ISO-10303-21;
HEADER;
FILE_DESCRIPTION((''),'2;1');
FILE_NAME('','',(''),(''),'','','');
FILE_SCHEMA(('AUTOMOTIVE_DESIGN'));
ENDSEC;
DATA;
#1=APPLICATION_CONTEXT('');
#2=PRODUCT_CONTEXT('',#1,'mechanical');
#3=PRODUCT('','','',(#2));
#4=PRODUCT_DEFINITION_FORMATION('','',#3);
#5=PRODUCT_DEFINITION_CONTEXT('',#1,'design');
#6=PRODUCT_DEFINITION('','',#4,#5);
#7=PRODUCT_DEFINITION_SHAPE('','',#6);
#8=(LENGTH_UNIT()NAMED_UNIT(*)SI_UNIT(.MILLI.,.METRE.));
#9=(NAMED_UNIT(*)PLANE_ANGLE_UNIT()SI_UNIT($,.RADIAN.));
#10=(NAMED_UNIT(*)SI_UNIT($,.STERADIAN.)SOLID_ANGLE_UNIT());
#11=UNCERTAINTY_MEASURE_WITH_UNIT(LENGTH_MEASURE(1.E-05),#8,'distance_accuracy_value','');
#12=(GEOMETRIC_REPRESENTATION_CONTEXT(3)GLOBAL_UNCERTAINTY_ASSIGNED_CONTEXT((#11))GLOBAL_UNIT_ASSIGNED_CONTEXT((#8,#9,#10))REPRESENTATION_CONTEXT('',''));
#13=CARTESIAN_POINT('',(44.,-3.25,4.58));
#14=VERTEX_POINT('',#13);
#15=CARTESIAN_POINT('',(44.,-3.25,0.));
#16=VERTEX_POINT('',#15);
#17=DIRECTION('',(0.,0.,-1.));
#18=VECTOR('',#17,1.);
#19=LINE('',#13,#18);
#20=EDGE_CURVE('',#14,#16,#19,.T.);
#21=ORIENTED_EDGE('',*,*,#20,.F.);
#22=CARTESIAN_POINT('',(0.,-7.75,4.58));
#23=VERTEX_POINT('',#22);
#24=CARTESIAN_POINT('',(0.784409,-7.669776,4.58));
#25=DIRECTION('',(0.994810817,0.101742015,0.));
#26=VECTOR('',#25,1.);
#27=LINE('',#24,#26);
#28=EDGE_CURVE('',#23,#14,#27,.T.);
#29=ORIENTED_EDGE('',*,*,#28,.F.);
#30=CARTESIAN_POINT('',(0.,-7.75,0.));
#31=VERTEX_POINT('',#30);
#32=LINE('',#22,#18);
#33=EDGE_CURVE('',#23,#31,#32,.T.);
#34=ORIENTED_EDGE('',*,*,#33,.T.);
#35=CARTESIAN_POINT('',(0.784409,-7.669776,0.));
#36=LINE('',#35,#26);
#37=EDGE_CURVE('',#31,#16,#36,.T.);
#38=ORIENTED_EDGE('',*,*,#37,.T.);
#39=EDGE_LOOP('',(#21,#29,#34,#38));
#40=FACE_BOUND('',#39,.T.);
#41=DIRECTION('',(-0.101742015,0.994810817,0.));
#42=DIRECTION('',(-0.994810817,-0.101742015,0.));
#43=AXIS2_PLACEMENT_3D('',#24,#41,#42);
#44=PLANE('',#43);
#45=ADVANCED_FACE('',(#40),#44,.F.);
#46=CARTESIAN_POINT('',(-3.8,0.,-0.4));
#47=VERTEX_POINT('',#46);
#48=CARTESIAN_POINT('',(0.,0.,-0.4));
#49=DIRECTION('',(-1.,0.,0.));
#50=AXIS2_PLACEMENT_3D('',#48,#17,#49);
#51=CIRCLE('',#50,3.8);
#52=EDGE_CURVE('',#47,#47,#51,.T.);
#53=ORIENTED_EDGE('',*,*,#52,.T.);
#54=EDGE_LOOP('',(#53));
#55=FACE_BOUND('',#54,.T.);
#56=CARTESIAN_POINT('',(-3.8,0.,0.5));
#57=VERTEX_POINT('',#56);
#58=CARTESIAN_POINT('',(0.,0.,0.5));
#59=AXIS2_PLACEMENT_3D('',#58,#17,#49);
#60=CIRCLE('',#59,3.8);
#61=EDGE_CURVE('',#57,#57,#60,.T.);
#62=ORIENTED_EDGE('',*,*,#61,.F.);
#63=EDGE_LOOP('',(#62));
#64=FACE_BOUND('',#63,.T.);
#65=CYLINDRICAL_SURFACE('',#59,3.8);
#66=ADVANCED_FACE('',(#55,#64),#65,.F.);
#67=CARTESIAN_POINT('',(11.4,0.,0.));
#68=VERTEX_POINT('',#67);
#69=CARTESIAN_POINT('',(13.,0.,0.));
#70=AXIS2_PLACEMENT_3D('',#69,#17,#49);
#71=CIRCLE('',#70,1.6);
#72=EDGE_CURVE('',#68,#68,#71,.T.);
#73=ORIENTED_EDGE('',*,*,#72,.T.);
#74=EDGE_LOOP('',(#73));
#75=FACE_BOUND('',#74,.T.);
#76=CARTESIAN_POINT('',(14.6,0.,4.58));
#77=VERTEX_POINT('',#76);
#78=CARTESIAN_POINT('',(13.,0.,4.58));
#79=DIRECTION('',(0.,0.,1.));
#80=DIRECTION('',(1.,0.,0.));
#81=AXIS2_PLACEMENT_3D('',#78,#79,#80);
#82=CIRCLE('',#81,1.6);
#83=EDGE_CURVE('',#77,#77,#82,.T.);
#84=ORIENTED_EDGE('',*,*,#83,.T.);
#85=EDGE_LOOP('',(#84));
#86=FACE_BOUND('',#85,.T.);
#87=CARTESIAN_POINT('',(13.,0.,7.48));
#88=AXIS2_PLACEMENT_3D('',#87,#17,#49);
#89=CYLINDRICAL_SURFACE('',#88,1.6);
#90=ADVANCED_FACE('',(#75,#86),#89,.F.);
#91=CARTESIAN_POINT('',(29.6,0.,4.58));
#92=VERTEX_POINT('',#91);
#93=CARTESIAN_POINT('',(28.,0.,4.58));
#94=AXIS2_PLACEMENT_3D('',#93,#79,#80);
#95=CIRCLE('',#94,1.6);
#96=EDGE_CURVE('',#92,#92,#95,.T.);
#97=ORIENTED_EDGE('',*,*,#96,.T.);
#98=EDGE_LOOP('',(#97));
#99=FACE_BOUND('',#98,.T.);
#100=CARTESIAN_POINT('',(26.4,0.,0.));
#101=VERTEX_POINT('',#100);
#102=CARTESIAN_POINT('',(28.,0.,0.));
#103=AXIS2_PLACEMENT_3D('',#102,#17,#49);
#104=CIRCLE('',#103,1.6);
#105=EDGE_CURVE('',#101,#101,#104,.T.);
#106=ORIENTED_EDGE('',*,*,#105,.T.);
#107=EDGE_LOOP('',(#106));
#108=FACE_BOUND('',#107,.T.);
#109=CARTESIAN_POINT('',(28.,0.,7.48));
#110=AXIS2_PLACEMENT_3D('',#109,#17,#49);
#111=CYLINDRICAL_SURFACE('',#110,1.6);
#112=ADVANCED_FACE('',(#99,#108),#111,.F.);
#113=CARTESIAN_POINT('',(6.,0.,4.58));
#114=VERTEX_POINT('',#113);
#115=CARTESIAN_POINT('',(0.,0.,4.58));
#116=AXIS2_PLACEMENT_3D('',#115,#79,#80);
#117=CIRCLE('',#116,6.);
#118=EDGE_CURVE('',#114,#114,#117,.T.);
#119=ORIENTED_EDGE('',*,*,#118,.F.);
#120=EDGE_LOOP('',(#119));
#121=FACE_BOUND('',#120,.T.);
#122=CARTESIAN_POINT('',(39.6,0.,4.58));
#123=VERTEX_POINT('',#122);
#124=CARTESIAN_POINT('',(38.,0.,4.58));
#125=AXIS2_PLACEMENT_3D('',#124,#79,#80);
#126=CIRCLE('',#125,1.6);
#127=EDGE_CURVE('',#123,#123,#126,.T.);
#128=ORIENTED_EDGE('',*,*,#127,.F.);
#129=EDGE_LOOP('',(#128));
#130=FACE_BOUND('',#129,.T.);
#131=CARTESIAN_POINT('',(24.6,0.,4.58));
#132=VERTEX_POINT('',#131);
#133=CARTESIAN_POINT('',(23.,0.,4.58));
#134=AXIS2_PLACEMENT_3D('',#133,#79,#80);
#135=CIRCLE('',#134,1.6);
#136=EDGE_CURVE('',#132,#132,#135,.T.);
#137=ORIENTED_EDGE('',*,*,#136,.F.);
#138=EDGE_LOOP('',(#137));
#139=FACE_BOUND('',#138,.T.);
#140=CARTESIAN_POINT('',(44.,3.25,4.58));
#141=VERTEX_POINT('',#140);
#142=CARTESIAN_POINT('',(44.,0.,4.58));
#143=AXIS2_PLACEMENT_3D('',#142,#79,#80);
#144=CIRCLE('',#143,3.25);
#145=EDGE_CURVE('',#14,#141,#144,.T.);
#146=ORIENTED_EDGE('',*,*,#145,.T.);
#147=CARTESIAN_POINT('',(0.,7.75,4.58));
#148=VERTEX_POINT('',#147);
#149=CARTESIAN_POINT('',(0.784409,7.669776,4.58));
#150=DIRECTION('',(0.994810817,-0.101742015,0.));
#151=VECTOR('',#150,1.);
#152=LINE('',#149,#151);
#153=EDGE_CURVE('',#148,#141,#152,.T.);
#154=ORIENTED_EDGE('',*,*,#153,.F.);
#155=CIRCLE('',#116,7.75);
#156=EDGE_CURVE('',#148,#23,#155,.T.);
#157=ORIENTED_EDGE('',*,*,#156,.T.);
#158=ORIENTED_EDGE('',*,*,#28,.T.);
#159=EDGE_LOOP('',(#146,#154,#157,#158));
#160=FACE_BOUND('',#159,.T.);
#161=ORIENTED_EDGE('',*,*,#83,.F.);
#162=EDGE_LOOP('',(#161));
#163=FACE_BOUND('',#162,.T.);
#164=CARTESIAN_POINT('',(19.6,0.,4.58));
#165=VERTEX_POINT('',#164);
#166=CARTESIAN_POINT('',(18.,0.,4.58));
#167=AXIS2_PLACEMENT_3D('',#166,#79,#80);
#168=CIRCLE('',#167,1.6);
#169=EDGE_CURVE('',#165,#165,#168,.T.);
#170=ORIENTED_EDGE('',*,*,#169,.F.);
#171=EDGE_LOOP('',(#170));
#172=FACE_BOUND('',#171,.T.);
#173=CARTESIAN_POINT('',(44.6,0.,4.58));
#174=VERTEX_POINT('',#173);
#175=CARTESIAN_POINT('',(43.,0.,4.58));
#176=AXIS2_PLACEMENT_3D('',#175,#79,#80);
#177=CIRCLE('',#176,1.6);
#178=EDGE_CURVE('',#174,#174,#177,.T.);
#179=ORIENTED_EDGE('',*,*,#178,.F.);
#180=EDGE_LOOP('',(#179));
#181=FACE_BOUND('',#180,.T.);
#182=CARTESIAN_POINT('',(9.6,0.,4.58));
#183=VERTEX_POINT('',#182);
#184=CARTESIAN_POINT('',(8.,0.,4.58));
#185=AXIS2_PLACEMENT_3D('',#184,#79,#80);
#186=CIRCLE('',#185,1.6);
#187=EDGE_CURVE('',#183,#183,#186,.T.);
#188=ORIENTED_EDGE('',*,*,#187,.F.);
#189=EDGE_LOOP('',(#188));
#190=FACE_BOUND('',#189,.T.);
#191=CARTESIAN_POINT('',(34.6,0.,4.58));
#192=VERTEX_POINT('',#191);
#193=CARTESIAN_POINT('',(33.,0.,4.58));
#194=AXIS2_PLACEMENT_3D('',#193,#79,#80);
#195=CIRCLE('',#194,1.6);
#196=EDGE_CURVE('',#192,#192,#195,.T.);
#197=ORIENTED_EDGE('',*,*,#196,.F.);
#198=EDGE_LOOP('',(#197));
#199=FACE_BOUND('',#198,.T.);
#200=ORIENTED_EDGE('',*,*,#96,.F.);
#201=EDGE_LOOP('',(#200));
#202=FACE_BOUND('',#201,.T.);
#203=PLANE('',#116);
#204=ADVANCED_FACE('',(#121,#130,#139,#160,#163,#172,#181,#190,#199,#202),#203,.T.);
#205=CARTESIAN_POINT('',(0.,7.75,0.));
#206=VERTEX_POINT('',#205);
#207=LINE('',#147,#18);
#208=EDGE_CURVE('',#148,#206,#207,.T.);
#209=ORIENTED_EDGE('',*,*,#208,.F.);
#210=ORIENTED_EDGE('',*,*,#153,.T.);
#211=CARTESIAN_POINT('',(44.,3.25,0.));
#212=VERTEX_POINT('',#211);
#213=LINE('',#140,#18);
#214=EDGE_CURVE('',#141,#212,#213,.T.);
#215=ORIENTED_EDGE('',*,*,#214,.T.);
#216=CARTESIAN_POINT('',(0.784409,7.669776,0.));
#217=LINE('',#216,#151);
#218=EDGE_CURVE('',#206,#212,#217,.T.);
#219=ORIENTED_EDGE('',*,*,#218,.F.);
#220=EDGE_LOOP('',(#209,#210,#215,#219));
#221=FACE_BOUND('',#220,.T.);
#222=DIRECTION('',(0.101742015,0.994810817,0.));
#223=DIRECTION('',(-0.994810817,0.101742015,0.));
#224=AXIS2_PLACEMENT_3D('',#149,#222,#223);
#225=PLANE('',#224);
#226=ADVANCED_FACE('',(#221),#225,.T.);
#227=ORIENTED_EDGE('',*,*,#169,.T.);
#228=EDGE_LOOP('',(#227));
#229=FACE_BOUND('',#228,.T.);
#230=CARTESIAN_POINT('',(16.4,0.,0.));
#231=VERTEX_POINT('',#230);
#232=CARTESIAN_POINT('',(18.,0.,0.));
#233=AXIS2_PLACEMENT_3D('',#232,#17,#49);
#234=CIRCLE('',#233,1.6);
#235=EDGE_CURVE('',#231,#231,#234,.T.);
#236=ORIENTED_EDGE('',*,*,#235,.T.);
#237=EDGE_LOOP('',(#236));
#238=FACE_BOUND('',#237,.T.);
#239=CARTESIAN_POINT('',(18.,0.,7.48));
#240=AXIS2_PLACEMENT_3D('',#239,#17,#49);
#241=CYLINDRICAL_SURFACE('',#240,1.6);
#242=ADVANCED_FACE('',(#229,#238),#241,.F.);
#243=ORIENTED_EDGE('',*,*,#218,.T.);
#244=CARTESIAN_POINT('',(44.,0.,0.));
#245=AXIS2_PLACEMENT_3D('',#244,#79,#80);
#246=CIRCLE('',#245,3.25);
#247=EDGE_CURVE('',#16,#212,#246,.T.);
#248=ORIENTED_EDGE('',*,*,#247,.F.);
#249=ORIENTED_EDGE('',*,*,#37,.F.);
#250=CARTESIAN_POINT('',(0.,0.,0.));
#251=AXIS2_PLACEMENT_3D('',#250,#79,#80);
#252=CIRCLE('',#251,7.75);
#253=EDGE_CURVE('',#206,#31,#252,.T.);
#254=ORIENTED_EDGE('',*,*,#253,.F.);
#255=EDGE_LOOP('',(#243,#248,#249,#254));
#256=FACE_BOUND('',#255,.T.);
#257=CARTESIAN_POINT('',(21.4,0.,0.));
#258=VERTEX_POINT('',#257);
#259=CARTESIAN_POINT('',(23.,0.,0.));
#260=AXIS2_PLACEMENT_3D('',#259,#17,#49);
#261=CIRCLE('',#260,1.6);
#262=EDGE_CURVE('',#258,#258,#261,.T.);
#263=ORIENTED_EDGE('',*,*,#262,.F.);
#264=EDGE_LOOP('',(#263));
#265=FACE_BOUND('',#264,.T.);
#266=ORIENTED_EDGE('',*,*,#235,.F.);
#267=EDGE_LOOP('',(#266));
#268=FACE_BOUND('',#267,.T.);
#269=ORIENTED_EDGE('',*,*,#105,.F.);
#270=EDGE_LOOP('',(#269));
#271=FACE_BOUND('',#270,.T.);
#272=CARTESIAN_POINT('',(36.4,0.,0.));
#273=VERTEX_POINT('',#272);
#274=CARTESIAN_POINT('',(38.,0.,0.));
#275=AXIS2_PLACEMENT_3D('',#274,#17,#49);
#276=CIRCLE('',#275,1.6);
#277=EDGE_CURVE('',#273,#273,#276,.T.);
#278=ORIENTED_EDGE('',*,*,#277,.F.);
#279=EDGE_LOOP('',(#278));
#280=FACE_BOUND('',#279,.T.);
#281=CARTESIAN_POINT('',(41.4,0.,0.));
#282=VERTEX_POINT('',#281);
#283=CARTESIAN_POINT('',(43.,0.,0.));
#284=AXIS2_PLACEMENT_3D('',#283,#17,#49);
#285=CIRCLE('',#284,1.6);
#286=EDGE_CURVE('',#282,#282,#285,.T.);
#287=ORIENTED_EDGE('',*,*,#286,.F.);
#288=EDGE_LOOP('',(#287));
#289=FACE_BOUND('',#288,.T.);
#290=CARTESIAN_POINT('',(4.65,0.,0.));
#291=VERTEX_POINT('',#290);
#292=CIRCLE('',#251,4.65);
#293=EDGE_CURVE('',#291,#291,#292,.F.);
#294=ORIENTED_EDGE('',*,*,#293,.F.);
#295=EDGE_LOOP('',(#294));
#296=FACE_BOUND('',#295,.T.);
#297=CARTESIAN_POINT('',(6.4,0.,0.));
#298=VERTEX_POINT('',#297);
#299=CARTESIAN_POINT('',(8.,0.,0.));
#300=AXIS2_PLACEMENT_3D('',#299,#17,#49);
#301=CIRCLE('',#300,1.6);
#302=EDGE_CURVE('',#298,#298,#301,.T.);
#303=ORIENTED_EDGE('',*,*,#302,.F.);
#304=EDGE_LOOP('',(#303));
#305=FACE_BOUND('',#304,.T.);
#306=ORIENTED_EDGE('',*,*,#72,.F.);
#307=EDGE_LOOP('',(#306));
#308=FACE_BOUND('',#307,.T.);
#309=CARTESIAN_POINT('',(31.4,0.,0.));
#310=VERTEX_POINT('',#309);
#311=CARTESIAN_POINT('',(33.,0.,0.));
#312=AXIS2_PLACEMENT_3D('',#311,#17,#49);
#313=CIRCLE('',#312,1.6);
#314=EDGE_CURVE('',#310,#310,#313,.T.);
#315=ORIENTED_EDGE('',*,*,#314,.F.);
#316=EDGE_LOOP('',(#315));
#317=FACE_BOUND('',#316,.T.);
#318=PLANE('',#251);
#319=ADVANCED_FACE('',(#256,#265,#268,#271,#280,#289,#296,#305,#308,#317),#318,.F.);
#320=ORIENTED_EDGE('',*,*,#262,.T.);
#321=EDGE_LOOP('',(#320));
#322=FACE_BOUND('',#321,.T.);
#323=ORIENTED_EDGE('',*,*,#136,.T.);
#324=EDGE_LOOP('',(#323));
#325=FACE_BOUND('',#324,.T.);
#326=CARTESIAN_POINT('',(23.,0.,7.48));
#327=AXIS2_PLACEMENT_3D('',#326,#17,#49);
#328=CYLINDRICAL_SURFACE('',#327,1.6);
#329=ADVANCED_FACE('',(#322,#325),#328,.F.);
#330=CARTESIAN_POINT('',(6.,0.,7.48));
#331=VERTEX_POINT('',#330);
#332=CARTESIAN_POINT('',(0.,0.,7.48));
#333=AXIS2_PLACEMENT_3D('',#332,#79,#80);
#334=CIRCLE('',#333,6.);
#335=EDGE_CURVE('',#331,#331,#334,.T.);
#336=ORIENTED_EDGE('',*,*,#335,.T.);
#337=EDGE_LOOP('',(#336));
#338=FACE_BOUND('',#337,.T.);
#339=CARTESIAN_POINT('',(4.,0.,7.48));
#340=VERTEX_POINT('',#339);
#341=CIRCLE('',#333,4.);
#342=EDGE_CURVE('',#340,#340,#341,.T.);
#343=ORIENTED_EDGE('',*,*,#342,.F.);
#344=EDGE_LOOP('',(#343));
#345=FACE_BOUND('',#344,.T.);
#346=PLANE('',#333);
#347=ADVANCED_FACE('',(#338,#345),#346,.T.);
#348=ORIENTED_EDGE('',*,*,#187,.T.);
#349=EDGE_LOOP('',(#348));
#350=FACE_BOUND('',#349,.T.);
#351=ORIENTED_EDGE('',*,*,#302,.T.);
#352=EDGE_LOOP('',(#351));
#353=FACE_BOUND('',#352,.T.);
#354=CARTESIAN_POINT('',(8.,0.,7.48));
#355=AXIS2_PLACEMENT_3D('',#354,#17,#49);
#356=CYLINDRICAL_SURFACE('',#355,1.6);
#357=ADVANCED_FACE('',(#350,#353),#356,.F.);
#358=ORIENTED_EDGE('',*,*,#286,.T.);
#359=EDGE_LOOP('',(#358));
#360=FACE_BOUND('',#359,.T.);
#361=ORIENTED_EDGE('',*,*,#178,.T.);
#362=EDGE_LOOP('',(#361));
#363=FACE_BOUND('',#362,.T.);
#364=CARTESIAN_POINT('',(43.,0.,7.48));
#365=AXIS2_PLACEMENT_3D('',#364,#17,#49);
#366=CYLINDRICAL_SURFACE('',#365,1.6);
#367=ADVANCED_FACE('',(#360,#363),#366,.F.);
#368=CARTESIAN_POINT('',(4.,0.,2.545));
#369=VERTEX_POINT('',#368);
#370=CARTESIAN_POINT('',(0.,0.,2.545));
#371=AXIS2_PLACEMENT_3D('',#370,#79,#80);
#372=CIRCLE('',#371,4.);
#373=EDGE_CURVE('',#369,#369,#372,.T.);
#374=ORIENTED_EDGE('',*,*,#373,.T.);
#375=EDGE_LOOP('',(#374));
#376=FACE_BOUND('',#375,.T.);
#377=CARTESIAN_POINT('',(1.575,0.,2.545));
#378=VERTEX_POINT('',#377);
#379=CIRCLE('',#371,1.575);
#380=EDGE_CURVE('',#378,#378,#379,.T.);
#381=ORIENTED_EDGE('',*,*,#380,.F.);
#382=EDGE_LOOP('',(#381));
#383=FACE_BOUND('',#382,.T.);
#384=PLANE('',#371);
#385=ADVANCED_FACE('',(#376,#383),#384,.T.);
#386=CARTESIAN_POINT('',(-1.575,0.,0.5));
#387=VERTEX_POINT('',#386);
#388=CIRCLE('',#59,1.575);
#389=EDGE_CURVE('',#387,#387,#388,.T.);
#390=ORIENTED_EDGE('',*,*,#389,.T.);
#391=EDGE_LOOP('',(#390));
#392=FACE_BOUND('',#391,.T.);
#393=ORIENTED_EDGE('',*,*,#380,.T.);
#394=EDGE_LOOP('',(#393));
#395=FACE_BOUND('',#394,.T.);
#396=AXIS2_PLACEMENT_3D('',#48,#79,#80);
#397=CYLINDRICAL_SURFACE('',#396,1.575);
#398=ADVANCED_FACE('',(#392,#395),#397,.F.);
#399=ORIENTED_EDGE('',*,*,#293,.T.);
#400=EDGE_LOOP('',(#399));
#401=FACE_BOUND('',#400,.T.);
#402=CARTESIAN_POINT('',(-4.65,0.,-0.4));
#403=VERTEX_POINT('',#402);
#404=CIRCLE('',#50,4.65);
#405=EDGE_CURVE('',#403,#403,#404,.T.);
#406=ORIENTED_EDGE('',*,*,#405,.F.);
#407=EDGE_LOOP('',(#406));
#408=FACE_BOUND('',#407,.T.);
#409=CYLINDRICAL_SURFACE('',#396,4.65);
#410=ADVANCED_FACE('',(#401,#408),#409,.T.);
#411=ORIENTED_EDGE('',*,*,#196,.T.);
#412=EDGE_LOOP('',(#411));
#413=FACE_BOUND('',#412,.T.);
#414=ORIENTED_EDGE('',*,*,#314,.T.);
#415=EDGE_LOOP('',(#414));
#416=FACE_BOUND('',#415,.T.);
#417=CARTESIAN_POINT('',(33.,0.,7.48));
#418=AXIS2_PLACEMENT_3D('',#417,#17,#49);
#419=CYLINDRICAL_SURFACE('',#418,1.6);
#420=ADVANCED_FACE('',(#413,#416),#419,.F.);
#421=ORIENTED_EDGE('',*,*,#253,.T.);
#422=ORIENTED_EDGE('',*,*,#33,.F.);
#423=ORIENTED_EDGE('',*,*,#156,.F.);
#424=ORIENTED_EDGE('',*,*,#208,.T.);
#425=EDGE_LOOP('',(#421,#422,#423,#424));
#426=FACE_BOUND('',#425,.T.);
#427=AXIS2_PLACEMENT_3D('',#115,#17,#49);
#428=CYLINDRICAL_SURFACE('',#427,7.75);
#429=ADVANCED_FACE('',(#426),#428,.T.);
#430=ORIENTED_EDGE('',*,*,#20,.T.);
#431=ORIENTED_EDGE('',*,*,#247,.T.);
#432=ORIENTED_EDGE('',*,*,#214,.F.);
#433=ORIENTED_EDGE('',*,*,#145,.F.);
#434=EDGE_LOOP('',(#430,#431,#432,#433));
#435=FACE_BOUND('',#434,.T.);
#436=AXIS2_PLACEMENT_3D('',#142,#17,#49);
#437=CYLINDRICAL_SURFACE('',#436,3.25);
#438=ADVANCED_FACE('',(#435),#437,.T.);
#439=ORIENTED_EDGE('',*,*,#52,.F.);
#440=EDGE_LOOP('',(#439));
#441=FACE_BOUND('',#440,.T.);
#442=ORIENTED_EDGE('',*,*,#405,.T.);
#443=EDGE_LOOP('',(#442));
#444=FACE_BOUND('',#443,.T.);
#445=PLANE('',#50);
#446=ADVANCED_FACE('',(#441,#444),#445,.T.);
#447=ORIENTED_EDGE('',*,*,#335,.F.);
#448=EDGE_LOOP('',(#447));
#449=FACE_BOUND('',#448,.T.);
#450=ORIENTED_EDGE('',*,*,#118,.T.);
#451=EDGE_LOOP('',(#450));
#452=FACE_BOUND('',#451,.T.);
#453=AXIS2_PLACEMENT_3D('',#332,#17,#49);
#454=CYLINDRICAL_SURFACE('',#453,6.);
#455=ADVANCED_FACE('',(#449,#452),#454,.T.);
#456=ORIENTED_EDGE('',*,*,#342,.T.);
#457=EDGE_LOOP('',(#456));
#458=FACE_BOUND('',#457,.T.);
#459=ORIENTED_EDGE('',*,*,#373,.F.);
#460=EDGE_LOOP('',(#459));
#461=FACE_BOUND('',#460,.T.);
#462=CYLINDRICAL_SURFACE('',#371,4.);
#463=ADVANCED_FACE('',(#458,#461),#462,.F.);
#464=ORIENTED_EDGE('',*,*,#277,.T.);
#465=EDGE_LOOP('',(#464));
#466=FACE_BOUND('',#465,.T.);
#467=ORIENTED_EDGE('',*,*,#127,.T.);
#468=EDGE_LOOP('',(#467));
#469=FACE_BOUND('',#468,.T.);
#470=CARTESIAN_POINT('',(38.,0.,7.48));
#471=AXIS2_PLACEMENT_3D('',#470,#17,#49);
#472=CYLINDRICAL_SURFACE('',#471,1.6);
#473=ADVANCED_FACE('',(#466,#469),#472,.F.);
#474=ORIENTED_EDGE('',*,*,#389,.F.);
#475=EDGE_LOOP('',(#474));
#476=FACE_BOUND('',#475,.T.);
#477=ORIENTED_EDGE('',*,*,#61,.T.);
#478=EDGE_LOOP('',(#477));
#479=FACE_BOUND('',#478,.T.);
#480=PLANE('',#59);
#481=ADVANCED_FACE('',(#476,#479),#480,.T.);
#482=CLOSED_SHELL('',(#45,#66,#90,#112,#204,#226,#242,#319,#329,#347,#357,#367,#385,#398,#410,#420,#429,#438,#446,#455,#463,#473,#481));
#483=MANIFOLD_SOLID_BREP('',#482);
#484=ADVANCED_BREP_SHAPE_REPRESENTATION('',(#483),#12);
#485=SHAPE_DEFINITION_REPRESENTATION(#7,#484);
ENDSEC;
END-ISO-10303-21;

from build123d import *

# Parameters (mm, degrees)
EXTRUDE_1_DEPTH        = 4.58
SKETCH_2_R             = 6
EXTRUDE_2_DEPTH        = 2.9
SKETCH_3_R             = 4
CUT_EXTRUDE_1_DEPTH    = 4.935
SKETCH_6_R             = 4.65
EXTRUDE_3_DEPTH        = 0.4
SKETCH_7_R             = 3.8
CUT_EXTRUDE_4_DEPTH    = 0.9
SKETCH_4_R             = 1.575
CUT_EXTRUDE_2_DEPTH    = 3.945
SKETCH_5_R             = 1.6
CUT_EXTRUDE_3_DEPTH    = 8.48
PATTERN_LINEAR_1_COUNT = 8
PATTERN_LINEAR_1_PITCH = 5


with BuildPart() as part:
    # 草圖1 → 填料-伸長1 (new body)
    with BuildSketch(Plane.XY):
        with BuildLine():
            Line((1.568817891, 7.589552716), (0, 7.75))
            ThreePointArc((0, 7.75), (-7.75, 0), (0, -7.75))
            Line((0, -7.75), (1.568817891, -7.589552716))
            Line((1.568817891, -7.589552716), (44, -3.25))
            ThreePointArc((44, -3.25), (47.25, 0), (44, 3.25))
            Line((44, 3.25), (1.568817891, 7.589552716))
        make_face()
    extrude(amount=EXTRUDE_1_DEPTH)

    # 草圖2 → 填料-伸長2 (add)
    with BuildSketch(Plane.XY.offset(4.58)):
        Circle(SKETCH_2_R)
    extrude(amount=EXTRUDE_2_DEPTH)

    # 草圖3 → 除料-伸長1 (cut)
    with BuildSketch(Plane.XY.offset(7.48)):
        Circle(SKETCH_3_R)
    extrude(amount=-CUT_EXTRUDE_1_DEPTH, mode=Mode.SUBTRACT)

    # 草圖6 → 填料-伸長3 (add)
    with BuildSketch(Plane(origin=(0, 0, 0), x_dir=(-1, 0, 0), z_dir=(0, 0, -1))):
        Circle(SKETCH_6_R)
    extrude(amount=EXTRUDE_3_DEPTH)

    # 草圖7 → 除料-伸長4 (cut)
    with BuildSketch(Plane(origin=(0, 0, -0.4), x_dir=(-1, 0, 0), z_dir=(0, 0, -1))):
        Circle(SKETCH_7_R)
    extrude(amount=-CUT_EXTRUDE_4_DEPTH, mode=Mode.SUBTRACT)

    # 草圖4 → 除料-伸長2 (cut, through all)
    with BuildSketch(Plane.XY.offset(2.545)):
        Circle(SKETCH_4_R)
    extrude(amount=-CUT_EXTRUDE_2_DEPTH, mode=Mode.SUBTRACT)

    # 草圖5 → 除料-伸長3 (cut, through all)
    with BuildSketch(Plane(origin=(0, 0, 0), x_dir=(-1, 0, 0), z_dir=(0, 0, -1))):
        with Locations((-8, 0)):
            Circle(SKETCH_5_R)
    cut_extrude_3 = extrude(amount=-CUT_EXTRUDE_3_DEPTH, mode=Mode.SUBTRACT)

    # 直線複製排列1: 除料-伸長3 ×8
    with Locations(*[(i * PATTERN_LINEAR_1_PITCH, 0, 0) for i in range(1, PATTERN_LINEAR_1_COUNT)]):
        add(cut_extrude_3, mode=Mode.SUBTRACT)


solid = part.part
